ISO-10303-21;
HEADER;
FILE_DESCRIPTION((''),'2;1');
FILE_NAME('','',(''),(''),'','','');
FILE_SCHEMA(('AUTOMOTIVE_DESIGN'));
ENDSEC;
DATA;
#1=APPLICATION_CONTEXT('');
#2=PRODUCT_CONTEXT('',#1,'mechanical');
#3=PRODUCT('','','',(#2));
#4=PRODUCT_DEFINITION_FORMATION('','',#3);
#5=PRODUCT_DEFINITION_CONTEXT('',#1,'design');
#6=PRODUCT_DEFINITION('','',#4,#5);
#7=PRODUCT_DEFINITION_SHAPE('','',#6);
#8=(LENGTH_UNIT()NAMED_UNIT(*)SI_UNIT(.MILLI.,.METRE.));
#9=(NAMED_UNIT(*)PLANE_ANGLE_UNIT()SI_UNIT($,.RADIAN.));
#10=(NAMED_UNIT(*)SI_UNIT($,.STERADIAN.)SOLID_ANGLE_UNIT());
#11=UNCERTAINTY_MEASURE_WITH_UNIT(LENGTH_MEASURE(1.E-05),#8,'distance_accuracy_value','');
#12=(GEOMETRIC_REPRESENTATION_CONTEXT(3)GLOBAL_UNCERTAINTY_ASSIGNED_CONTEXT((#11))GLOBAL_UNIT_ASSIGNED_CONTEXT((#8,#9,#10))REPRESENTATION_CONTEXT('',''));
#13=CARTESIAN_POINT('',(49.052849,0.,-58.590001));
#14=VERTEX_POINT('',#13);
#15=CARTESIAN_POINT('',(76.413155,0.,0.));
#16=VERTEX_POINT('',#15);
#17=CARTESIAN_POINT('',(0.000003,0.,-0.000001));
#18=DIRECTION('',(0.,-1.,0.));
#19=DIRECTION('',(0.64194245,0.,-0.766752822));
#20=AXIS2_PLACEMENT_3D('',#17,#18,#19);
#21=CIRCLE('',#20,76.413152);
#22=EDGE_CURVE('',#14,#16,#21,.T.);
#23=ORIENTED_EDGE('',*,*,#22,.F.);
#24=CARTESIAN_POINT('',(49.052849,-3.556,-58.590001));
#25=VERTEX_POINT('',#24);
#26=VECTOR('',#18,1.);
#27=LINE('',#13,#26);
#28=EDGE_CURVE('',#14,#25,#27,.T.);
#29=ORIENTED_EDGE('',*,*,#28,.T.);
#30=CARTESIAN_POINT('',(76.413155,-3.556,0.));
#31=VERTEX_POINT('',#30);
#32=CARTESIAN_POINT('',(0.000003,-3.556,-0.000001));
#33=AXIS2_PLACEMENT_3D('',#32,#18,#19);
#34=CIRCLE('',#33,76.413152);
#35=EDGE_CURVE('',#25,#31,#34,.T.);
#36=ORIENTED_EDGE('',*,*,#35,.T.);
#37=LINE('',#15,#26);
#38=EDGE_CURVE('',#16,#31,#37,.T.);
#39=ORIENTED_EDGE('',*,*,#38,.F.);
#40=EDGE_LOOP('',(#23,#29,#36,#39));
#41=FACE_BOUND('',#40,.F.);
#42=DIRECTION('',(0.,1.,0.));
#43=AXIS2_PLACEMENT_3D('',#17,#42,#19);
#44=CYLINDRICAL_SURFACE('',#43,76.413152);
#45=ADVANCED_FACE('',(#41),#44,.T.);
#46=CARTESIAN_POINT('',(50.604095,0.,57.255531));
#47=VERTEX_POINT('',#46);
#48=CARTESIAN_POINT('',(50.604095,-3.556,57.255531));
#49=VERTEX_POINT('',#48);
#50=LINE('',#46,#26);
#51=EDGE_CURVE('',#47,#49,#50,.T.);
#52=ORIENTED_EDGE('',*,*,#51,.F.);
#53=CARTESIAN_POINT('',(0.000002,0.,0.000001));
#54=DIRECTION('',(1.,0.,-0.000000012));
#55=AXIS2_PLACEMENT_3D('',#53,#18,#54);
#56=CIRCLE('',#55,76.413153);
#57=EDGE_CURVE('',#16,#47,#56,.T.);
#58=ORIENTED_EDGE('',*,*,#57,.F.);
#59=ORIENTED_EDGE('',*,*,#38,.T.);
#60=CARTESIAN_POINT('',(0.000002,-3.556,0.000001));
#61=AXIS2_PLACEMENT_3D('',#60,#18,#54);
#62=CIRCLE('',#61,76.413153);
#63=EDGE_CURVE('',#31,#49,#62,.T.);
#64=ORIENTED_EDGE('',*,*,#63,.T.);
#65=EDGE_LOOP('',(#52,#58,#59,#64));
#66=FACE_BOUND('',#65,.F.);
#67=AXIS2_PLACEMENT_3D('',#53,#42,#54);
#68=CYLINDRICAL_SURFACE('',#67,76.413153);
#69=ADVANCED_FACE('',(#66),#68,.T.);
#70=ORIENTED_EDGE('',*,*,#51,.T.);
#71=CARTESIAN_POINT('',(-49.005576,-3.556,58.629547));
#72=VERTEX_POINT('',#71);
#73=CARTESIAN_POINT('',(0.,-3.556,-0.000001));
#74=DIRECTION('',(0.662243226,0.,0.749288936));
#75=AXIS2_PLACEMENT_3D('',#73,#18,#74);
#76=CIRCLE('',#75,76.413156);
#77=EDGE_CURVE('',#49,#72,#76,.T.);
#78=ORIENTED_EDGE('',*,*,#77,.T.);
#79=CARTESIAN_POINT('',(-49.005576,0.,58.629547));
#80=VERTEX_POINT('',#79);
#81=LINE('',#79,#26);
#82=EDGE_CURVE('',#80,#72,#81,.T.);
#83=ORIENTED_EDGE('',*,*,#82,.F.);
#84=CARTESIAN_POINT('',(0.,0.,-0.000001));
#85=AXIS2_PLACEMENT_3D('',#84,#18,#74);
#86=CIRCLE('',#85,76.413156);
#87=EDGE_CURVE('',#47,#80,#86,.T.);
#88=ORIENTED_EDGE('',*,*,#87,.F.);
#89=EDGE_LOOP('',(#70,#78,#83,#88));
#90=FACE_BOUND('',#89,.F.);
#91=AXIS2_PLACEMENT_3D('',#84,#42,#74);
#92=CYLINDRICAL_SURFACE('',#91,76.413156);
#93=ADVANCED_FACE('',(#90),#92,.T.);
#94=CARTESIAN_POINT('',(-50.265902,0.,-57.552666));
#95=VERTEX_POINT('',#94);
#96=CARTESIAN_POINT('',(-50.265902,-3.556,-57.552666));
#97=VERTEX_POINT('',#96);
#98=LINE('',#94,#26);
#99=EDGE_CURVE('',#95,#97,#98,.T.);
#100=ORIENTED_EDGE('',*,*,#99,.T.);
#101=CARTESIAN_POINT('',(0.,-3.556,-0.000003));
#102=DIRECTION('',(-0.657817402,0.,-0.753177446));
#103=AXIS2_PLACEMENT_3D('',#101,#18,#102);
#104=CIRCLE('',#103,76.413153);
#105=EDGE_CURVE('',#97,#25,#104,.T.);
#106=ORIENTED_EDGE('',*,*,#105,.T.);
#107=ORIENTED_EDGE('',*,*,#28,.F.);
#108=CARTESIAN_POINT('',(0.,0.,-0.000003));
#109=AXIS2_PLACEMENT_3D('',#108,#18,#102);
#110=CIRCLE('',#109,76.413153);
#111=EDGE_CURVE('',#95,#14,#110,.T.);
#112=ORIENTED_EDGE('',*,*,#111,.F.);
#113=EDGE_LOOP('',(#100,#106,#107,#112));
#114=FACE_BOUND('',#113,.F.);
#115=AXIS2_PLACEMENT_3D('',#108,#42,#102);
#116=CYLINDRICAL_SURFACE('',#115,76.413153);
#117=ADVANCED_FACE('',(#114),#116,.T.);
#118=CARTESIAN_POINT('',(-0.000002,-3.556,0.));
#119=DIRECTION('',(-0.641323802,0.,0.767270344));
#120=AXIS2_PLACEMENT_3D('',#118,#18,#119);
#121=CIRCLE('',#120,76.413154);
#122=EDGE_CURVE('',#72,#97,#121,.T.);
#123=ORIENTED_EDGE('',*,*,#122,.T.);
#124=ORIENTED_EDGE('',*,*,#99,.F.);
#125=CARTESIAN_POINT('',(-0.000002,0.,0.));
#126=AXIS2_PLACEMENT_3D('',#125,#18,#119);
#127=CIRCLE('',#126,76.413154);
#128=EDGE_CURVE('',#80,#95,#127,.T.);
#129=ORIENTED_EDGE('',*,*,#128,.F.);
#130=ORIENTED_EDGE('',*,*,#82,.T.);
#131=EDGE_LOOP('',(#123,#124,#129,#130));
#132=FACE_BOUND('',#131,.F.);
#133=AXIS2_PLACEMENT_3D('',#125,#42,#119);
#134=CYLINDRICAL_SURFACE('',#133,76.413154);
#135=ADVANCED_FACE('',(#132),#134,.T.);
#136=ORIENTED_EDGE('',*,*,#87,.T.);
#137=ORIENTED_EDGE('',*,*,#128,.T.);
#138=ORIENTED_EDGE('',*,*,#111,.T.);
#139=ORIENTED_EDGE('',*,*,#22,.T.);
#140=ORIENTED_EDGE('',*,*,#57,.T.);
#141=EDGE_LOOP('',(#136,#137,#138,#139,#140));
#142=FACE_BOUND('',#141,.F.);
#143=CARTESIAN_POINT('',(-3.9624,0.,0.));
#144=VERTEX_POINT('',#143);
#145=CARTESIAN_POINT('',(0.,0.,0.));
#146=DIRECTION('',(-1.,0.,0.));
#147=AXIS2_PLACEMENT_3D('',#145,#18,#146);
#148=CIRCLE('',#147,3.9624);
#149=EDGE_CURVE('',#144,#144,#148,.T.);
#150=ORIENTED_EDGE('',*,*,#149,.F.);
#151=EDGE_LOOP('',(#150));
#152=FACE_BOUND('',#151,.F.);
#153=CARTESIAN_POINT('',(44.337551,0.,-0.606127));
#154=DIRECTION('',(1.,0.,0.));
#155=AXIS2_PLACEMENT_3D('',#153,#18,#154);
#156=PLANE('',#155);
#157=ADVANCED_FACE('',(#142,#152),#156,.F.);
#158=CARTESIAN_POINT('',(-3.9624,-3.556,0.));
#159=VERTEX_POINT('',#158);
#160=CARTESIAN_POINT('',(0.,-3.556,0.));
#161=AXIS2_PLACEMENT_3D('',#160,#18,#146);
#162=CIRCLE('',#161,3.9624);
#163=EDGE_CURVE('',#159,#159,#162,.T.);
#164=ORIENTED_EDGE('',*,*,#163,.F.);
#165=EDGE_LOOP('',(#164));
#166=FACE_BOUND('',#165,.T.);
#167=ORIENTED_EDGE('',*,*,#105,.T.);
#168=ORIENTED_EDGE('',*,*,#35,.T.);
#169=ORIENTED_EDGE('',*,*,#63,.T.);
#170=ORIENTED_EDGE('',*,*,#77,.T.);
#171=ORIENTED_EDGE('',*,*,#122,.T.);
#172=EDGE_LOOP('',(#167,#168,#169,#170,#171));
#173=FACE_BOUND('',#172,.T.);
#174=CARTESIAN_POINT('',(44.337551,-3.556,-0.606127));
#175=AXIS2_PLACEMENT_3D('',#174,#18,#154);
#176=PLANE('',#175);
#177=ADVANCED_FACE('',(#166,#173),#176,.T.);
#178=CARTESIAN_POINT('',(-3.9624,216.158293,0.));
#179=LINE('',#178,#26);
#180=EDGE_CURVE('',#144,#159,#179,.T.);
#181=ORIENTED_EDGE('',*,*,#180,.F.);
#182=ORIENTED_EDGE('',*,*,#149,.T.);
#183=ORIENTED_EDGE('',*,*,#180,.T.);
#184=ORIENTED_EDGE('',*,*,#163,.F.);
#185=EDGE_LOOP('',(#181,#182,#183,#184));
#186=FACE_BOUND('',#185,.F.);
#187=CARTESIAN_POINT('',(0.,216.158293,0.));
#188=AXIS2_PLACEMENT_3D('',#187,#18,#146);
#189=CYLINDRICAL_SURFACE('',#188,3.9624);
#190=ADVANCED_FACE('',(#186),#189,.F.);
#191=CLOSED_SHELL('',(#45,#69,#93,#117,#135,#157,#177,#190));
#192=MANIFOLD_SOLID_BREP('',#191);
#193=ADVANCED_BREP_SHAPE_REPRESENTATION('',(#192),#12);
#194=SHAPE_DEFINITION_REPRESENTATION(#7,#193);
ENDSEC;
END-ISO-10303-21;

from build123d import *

# Parameters (mm, degrees)
F1_DEPTH = 3.556
F2_D     = 7.9248


with BuildPart() as f1:
    # F0 (on Front) → F1 (new body)
    with BuildSketch(Plane.XZ):
        with BuildLine():
            ThreePointArc((49.052849, -58.590001), (69.236021, -32.331775), (76.413155, 0))
            ThreePointArc((76.413155, 0), (69.662719, 31.401845), (50.604095, 57.255531))
            Line((50.604095, 57.255531), (0.166721, -0.151271))
            Line((0.166721, -0.151271), (49.052849, -58.590001))
        make_face()
        with BuildLine():
            Line((0.166721, -0.151271), (50.604095, 57.255531))
            ThreePointArc((50.604095, 57.255531), (1.053942, 76.405886), (-49.005576, 58.629547))
            Line((-49.005576, 58.629547), (0.166721, -0.151271))
        make_face()
        with BuildLine():
            ThreePointArc((-50.265902, -57.552666), (-0.798054, -76.408988), (49.052849, -58.590001))
            Line((49.052849, -58.590001), (0.166721, -0.151271))
            Line((0.166721, -0.151271), (-50.265902, -57.552666))
        make_face()
        with BuildLine():
            Line((0.166721, -0.151271), (-49.005576, 58.629547))
            ThreePointArc((-49.005576, 58.629547), (-76.40866, 0.828868), (-50.265902, -57.552666))
            Line((-50.265902, -57.552666), (0.166721, -0.151271))
        make_face()
    extrude(amount=F1_DEPTH)

    # F2 (through all)
    with Locations(Plane(origin=(0, 0, 0), x_dir=(1, 0, 0), z_dir=(0, 1, 0))):
        with Locations((0, 0)):
            Hole(F2_D / 2)


solid = f1.part
